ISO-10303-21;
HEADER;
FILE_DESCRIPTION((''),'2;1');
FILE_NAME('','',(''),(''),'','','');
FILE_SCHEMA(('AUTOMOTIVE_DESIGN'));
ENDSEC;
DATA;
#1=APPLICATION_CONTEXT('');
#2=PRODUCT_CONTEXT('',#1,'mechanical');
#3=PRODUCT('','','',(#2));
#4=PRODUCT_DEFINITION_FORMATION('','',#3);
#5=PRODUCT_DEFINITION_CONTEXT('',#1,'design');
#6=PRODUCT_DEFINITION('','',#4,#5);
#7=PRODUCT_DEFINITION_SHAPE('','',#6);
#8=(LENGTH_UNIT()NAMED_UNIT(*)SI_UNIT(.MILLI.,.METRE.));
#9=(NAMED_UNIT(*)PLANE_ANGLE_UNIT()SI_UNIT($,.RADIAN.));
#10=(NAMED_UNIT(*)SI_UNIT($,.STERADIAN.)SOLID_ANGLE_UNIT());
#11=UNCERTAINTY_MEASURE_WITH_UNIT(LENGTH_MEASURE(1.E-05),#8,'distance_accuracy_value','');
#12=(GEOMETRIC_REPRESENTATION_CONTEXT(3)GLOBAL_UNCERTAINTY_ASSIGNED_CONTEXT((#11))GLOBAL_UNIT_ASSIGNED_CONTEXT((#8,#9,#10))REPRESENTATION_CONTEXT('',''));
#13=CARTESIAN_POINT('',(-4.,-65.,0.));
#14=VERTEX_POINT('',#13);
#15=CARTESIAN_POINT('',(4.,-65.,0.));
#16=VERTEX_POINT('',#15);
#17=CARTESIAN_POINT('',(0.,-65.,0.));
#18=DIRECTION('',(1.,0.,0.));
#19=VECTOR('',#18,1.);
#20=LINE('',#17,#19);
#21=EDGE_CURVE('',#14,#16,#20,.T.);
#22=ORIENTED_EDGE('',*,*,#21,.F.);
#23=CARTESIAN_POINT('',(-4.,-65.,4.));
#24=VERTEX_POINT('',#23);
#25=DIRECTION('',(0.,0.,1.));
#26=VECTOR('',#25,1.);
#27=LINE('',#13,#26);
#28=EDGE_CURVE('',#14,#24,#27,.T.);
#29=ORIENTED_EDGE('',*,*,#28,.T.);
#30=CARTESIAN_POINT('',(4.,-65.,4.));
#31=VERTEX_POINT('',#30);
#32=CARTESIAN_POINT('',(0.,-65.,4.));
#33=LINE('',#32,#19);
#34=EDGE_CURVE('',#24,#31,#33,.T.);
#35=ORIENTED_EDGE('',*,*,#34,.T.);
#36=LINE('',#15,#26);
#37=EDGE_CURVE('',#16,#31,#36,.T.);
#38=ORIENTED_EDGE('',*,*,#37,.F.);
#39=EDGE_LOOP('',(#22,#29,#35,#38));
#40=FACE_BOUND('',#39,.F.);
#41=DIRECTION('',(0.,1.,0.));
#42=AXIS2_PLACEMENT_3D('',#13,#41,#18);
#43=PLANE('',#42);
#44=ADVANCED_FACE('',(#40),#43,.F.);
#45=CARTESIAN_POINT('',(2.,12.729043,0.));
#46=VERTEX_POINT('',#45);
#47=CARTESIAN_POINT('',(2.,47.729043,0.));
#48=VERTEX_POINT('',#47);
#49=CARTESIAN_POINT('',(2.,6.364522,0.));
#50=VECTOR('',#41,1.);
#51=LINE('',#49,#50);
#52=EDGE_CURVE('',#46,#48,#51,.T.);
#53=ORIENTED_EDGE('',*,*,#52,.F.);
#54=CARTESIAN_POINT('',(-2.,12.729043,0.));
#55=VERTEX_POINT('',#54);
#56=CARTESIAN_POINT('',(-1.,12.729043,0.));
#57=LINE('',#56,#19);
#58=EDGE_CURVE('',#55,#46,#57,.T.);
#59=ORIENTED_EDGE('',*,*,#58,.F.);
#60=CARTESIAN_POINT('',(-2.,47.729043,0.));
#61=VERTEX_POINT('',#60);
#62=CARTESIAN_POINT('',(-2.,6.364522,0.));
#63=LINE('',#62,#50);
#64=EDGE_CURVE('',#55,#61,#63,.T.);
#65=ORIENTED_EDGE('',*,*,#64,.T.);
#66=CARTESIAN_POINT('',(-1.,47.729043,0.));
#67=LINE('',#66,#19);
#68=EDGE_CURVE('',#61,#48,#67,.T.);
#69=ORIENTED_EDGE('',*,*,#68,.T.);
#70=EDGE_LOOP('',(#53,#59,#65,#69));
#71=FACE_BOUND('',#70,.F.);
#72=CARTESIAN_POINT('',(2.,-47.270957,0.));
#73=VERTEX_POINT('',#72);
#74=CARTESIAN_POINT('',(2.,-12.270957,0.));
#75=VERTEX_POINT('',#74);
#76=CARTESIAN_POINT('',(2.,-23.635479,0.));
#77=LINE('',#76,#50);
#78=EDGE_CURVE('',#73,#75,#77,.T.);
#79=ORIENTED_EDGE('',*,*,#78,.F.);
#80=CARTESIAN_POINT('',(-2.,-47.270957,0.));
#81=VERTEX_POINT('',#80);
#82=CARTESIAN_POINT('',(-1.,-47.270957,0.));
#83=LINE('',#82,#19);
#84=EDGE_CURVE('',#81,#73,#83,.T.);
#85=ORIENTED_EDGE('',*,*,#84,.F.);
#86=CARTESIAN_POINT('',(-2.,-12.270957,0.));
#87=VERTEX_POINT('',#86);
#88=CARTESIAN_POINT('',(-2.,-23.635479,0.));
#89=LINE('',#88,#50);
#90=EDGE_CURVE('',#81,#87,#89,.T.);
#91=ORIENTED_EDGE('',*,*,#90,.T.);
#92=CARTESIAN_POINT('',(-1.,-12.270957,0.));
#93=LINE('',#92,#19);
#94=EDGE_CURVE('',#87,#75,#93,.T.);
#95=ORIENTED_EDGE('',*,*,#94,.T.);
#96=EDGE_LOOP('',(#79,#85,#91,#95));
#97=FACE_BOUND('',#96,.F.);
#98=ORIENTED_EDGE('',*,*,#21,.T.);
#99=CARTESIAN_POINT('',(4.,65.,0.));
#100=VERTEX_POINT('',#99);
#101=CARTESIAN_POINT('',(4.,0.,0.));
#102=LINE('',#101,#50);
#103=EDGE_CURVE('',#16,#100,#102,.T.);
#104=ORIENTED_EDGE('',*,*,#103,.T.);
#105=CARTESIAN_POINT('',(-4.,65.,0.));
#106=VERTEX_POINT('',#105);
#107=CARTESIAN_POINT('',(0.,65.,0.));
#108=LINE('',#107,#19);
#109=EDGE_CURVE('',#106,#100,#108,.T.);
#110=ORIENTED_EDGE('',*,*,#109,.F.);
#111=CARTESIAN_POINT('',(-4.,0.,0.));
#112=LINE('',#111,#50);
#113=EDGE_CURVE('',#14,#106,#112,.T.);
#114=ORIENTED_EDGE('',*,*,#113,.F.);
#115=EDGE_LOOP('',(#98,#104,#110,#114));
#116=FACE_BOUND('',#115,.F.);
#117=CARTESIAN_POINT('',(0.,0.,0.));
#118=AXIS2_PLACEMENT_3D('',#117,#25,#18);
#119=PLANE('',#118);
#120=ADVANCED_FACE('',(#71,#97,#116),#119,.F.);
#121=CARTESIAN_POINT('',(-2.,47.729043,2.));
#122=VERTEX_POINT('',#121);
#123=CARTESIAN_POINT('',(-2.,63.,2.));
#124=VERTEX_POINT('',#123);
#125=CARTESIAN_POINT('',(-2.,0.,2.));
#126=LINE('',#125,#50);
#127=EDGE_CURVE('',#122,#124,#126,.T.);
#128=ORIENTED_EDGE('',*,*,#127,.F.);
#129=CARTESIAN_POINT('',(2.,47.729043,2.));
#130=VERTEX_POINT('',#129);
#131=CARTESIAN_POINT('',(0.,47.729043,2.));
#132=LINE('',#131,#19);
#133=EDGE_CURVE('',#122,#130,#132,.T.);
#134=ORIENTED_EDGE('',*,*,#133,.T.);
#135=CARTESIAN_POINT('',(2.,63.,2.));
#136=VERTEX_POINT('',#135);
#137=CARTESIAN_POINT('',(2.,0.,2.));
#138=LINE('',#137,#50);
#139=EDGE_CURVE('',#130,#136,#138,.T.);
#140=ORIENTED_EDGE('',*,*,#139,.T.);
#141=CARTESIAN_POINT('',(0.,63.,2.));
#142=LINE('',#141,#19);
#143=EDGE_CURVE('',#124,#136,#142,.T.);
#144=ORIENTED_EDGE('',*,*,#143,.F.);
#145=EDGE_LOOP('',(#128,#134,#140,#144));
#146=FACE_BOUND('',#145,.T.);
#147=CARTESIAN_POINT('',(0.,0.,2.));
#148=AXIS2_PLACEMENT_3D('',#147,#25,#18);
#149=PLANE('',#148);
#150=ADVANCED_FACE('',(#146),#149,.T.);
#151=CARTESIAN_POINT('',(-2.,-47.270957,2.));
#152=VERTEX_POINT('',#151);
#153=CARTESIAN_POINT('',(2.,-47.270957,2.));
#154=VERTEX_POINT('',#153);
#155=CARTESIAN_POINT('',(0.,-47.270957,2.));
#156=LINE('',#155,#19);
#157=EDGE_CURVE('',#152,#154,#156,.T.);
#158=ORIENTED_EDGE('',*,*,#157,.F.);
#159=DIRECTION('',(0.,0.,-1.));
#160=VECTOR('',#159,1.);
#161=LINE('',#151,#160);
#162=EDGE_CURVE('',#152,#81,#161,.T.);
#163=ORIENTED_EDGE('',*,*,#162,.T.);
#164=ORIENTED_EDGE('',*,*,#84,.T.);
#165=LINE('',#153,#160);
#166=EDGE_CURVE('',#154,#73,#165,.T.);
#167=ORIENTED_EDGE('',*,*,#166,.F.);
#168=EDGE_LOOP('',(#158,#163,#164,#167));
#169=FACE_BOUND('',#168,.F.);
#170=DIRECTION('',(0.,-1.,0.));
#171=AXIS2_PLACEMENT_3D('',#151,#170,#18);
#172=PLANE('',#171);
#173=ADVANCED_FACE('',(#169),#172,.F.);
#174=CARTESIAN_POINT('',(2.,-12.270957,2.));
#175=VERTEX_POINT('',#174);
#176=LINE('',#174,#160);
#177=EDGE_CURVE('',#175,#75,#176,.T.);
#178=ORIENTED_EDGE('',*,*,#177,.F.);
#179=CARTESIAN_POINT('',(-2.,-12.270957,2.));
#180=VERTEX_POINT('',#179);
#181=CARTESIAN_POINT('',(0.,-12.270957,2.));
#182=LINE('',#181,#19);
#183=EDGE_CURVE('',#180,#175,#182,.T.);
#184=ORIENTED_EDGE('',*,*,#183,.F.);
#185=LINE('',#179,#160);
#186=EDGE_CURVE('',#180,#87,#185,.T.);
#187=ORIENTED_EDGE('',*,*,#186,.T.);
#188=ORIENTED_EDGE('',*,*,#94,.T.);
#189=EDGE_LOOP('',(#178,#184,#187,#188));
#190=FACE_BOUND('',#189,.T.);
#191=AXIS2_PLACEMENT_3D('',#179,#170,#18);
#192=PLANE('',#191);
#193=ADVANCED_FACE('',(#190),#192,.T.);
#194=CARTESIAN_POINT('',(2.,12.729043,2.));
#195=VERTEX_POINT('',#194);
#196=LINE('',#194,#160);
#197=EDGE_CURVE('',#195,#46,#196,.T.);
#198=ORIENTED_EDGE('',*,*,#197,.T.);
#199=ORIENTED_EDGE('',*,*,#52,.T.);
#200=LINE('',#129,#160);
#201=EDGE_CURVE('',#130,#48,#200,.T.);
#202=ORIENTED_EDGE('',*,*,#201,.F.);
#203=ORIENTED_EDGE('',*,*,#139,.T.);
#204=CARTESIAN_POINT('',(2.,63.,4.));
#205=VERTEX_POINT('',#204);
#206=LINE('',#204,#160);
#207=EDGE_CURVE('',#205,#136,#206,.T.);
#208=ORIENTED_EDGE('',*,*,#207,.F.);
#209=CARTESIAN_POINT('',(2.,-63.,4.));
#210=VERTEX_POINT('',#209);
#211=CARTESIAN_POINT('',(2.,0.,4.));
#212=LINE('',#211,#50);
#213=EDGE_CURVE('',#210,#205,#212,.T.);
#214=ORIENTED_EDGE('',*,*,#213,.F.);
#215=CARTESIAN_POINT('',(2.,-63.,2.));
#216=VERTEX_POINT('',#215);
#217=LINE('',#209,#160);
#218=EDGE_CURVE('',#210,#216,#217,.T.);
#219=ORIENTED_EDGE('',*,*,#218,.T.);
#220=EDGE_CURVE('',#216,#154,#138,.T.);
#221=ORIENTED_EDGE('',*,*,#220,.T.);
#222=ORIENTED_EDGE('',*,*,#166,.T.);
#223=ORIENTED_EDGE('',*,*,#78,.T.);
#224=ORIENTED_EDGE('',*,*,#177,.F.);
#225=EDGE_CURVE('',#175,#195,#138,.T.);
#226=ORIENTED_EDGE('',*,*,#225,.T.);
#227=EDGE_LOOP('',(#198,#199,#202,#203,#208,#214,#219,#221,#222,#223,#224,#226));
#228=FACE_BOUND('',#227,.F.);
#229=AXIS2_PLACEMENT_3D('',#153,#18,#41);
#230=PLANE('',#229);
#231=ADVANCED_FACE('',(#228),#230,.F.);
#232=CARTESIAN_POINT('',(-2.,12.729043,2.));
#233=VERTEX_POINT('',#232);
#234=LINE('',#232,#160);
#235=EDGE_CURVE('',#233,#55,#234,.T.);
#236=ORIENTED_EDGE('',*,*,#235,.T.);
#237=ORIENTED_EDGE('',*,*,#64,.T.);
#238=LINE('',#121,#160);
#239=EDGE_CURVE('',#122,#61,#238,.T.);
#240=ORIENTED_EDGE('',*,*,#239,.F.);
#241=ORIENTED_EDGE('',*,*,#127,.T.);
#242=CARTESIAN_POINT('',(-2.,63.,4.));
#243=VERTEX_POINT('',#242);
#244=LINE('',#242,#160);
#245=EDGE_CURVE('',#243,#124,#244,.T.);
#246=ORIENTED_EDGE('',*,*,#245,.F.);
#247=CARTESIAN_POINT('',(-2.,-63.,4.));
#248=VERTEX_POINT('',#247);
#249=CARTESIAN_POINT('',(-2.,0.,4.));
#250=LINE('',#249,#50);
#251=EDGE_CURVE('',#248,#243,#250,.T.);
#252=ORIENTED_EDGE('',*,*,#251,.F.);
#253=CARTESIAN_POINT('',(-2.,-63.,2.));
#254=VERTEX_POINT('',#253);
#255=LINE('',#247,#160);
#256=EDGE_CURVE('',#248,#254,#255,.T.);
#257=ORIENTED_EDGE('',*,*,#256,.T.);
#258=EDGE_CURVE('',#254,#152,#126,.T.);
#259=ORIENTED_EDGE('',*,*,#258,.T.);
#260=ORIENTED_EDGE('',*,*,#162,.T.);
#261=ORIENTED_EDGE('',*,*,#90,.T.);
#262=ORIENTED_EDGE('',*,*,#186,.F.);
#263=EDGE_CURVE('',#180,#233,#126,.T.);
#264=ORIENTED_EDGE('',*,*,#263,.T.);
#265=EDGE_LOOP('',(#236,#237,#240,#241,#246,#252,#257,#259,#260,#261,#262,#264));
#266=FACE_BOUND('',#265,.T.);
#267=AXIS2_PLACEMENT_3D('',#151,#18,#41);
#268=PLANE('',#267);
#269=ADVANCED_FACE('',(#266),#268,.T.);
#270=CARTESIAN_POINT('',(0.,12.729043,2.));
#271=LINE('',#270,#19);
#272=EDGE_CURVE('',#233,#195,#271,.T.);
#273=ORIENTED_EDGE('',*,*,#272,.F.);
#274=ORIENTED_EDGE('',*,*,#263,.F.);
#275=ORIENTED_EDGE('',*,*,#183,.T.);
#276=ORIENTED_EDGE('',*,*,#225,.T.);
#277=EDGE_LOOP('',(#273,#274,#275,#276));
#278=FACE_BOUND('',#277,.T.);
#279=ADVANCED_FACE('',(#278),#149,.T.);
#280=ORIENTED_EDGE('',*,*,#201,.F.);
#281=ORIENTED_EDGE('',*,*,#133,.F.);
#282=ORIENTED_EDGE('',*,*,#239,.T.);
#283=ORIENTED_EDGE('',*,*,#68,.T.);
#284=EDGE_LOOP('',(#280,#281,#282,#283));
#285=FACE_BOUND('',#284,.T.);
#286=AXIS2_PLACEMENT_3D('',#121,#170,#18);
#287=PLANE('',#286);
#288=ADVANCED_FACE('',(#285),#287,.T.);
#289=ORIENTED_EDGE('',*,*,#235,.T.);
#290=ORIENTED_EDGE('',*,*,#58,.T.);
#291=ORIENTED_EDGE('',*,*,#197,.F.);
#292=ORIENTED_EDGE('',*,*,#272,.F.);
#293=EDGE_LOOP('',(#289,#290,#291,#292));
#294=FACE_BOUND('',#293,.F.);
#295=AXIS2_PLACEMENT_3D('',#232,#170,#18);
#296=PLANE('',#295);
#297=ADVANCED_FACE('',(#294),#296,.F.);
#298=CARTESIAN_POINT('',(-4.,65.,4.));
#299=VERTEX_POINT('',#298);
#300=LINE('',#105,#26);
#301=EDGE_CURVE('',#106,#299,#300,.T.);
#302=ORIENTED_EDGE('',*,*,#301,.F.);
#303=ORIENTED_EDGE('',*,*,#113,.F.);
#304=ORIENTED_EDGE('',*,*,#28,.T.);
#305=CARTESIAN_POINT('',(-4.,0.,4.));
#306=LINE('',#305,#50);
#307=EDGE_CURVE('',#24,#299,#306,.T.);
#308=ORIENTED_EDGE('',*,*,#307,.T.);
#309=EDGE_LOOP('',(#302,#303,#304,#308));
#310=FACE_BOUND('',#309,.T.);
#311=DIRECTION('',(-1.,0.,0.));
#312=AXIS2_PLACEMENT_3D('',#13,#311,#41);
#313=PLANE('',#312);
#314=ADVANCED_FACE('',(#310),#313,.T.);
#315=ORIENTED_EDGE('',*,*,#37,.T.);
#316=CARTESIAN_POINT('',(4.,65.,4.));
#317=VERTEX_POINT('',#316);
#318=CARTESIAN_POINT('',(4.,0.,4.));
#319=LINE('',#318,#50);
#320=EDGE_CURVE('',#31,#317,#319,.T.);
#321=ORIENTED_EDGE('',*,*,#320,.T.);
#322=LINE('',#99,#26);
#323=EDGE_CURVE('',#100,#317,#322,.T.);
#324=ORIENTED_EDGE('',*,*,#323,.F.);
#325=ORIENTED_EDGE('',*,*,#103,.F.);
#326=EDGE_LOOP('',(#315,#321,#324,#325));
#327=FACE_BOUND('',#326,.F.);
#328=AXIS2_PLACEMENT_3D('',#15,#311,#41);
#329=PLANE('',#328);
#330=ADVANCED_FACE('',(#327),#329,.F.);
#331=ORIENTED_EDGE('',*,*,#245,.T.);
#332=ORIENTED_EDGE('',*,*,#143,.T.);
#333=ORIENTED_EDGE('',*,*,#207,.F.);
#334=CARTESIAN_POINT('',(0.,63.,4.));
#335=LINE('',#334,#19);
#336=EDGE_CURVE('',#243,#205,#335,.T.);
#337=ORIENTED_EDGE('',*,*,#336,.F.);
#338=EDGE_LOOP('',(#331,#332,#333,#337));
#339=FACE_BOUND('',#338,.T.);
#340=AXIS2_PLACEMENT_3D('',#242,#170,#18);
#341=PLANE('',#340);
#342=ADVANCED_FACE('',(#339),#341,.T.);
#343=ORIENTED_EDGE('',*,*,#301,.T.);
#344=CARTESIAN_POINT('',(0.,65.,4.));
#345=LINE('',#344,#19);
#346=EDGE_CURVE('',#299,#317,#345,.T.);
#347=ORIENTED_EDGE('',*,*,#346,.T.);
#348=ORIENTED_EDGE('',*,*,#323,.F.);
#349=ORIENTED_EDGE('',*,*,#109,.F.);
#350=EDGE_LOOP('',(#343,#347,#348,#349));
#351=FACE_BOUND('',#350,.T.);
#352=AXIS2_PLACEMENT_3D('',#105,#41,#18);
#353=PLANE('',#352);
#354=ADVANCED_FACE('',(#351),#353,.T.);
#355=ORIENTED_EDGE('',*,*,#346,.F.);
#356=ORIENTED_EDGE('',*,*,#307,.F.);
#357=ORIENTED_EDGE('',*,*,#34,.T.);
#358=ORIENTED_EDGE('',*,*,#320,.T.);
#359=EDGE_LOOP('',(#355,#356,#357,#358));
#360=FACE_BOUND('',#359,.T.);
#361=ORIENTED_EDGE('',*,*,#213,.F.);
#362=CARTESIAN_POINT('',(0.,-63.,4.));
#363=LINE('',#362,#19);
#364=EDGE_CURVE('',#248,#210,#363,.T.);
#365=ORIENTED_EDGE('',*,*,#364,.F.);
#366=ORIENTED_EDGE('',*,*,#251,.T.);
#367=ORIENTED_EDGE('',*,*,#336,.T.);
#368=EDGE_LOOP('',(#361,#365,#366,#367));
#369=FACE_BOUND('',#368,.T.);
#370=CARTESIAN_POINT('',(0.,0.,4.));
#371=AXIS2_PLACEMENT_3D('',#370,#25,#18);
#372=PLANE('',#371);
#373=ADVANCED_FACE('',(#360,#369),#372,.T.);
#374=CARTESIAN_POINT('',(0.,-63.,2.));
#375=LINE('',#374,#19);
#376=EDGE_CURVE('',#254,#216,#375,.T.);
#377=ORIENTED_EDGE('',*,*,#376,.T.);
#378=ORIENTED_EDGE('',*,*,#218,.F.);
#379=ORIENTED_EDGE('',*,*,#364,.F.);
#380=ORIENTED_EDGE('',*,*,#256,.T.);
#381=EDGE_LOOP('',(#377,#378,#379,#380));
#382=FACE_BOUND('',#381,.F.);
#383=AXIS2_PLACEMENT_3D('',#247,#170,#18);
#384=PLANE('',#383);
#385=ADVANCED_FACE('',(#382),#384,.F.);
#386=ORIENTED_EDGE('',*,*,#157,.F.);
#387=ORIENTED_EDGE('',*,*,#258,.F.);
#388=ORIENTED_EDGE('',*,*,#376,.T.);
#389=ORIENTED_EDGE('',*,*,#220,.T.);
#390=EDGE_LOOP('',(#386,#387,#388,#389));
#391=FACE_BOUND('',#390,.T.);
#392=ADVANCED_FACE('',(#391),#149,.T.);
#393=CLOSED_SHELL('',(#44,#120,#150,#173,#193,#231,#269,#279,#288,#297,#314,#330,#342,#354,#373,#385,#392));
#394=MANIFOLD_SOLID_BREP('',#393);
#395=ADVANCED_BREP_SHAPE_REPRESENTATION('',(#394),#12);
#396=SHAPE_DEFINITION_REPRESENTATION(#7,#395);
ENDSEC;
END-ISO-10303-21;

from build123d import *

# Parameters (mm, degrees)
F0_W     = 8
F0_H     = 130
F1_DEPTH = 4
F2_W     = 4
F2_H     = 126
F3_DEPTH = 2
F4_W     = 4
F4_H     = 35
F5_DEPTH = 2.001


with BuildPart() as f1:
    # F0 (on Top) → F1 (new body)
    with BuildSketch(Plane.XY):
        Rectangle(F0_W, F0_H)
    extrude(amount=F1_DEPTH)

    # F2 (on face) → F3 (cut)
    with BuildSketch(Plane.XY.offset(4)):
        Rectangle(F2_W, F2_H)
    extrude(amount=-F3_DEPTH, mode=Mode.SUBTRACT)

    # F4 (on face) → F5 (cut, through all)
    with BuildSketch(Plane.XY.offset(2)):
        with Locations((0, -29.770957)):
            Rectangle(F4_W, F4_H)
        with Locations((0, 30.229043)):
            Rectangle(F4_W, F4_H)
    extrude(amount=-F5_DEPTH, mode=Mode.SUBTRACT)


solid = f1.part
